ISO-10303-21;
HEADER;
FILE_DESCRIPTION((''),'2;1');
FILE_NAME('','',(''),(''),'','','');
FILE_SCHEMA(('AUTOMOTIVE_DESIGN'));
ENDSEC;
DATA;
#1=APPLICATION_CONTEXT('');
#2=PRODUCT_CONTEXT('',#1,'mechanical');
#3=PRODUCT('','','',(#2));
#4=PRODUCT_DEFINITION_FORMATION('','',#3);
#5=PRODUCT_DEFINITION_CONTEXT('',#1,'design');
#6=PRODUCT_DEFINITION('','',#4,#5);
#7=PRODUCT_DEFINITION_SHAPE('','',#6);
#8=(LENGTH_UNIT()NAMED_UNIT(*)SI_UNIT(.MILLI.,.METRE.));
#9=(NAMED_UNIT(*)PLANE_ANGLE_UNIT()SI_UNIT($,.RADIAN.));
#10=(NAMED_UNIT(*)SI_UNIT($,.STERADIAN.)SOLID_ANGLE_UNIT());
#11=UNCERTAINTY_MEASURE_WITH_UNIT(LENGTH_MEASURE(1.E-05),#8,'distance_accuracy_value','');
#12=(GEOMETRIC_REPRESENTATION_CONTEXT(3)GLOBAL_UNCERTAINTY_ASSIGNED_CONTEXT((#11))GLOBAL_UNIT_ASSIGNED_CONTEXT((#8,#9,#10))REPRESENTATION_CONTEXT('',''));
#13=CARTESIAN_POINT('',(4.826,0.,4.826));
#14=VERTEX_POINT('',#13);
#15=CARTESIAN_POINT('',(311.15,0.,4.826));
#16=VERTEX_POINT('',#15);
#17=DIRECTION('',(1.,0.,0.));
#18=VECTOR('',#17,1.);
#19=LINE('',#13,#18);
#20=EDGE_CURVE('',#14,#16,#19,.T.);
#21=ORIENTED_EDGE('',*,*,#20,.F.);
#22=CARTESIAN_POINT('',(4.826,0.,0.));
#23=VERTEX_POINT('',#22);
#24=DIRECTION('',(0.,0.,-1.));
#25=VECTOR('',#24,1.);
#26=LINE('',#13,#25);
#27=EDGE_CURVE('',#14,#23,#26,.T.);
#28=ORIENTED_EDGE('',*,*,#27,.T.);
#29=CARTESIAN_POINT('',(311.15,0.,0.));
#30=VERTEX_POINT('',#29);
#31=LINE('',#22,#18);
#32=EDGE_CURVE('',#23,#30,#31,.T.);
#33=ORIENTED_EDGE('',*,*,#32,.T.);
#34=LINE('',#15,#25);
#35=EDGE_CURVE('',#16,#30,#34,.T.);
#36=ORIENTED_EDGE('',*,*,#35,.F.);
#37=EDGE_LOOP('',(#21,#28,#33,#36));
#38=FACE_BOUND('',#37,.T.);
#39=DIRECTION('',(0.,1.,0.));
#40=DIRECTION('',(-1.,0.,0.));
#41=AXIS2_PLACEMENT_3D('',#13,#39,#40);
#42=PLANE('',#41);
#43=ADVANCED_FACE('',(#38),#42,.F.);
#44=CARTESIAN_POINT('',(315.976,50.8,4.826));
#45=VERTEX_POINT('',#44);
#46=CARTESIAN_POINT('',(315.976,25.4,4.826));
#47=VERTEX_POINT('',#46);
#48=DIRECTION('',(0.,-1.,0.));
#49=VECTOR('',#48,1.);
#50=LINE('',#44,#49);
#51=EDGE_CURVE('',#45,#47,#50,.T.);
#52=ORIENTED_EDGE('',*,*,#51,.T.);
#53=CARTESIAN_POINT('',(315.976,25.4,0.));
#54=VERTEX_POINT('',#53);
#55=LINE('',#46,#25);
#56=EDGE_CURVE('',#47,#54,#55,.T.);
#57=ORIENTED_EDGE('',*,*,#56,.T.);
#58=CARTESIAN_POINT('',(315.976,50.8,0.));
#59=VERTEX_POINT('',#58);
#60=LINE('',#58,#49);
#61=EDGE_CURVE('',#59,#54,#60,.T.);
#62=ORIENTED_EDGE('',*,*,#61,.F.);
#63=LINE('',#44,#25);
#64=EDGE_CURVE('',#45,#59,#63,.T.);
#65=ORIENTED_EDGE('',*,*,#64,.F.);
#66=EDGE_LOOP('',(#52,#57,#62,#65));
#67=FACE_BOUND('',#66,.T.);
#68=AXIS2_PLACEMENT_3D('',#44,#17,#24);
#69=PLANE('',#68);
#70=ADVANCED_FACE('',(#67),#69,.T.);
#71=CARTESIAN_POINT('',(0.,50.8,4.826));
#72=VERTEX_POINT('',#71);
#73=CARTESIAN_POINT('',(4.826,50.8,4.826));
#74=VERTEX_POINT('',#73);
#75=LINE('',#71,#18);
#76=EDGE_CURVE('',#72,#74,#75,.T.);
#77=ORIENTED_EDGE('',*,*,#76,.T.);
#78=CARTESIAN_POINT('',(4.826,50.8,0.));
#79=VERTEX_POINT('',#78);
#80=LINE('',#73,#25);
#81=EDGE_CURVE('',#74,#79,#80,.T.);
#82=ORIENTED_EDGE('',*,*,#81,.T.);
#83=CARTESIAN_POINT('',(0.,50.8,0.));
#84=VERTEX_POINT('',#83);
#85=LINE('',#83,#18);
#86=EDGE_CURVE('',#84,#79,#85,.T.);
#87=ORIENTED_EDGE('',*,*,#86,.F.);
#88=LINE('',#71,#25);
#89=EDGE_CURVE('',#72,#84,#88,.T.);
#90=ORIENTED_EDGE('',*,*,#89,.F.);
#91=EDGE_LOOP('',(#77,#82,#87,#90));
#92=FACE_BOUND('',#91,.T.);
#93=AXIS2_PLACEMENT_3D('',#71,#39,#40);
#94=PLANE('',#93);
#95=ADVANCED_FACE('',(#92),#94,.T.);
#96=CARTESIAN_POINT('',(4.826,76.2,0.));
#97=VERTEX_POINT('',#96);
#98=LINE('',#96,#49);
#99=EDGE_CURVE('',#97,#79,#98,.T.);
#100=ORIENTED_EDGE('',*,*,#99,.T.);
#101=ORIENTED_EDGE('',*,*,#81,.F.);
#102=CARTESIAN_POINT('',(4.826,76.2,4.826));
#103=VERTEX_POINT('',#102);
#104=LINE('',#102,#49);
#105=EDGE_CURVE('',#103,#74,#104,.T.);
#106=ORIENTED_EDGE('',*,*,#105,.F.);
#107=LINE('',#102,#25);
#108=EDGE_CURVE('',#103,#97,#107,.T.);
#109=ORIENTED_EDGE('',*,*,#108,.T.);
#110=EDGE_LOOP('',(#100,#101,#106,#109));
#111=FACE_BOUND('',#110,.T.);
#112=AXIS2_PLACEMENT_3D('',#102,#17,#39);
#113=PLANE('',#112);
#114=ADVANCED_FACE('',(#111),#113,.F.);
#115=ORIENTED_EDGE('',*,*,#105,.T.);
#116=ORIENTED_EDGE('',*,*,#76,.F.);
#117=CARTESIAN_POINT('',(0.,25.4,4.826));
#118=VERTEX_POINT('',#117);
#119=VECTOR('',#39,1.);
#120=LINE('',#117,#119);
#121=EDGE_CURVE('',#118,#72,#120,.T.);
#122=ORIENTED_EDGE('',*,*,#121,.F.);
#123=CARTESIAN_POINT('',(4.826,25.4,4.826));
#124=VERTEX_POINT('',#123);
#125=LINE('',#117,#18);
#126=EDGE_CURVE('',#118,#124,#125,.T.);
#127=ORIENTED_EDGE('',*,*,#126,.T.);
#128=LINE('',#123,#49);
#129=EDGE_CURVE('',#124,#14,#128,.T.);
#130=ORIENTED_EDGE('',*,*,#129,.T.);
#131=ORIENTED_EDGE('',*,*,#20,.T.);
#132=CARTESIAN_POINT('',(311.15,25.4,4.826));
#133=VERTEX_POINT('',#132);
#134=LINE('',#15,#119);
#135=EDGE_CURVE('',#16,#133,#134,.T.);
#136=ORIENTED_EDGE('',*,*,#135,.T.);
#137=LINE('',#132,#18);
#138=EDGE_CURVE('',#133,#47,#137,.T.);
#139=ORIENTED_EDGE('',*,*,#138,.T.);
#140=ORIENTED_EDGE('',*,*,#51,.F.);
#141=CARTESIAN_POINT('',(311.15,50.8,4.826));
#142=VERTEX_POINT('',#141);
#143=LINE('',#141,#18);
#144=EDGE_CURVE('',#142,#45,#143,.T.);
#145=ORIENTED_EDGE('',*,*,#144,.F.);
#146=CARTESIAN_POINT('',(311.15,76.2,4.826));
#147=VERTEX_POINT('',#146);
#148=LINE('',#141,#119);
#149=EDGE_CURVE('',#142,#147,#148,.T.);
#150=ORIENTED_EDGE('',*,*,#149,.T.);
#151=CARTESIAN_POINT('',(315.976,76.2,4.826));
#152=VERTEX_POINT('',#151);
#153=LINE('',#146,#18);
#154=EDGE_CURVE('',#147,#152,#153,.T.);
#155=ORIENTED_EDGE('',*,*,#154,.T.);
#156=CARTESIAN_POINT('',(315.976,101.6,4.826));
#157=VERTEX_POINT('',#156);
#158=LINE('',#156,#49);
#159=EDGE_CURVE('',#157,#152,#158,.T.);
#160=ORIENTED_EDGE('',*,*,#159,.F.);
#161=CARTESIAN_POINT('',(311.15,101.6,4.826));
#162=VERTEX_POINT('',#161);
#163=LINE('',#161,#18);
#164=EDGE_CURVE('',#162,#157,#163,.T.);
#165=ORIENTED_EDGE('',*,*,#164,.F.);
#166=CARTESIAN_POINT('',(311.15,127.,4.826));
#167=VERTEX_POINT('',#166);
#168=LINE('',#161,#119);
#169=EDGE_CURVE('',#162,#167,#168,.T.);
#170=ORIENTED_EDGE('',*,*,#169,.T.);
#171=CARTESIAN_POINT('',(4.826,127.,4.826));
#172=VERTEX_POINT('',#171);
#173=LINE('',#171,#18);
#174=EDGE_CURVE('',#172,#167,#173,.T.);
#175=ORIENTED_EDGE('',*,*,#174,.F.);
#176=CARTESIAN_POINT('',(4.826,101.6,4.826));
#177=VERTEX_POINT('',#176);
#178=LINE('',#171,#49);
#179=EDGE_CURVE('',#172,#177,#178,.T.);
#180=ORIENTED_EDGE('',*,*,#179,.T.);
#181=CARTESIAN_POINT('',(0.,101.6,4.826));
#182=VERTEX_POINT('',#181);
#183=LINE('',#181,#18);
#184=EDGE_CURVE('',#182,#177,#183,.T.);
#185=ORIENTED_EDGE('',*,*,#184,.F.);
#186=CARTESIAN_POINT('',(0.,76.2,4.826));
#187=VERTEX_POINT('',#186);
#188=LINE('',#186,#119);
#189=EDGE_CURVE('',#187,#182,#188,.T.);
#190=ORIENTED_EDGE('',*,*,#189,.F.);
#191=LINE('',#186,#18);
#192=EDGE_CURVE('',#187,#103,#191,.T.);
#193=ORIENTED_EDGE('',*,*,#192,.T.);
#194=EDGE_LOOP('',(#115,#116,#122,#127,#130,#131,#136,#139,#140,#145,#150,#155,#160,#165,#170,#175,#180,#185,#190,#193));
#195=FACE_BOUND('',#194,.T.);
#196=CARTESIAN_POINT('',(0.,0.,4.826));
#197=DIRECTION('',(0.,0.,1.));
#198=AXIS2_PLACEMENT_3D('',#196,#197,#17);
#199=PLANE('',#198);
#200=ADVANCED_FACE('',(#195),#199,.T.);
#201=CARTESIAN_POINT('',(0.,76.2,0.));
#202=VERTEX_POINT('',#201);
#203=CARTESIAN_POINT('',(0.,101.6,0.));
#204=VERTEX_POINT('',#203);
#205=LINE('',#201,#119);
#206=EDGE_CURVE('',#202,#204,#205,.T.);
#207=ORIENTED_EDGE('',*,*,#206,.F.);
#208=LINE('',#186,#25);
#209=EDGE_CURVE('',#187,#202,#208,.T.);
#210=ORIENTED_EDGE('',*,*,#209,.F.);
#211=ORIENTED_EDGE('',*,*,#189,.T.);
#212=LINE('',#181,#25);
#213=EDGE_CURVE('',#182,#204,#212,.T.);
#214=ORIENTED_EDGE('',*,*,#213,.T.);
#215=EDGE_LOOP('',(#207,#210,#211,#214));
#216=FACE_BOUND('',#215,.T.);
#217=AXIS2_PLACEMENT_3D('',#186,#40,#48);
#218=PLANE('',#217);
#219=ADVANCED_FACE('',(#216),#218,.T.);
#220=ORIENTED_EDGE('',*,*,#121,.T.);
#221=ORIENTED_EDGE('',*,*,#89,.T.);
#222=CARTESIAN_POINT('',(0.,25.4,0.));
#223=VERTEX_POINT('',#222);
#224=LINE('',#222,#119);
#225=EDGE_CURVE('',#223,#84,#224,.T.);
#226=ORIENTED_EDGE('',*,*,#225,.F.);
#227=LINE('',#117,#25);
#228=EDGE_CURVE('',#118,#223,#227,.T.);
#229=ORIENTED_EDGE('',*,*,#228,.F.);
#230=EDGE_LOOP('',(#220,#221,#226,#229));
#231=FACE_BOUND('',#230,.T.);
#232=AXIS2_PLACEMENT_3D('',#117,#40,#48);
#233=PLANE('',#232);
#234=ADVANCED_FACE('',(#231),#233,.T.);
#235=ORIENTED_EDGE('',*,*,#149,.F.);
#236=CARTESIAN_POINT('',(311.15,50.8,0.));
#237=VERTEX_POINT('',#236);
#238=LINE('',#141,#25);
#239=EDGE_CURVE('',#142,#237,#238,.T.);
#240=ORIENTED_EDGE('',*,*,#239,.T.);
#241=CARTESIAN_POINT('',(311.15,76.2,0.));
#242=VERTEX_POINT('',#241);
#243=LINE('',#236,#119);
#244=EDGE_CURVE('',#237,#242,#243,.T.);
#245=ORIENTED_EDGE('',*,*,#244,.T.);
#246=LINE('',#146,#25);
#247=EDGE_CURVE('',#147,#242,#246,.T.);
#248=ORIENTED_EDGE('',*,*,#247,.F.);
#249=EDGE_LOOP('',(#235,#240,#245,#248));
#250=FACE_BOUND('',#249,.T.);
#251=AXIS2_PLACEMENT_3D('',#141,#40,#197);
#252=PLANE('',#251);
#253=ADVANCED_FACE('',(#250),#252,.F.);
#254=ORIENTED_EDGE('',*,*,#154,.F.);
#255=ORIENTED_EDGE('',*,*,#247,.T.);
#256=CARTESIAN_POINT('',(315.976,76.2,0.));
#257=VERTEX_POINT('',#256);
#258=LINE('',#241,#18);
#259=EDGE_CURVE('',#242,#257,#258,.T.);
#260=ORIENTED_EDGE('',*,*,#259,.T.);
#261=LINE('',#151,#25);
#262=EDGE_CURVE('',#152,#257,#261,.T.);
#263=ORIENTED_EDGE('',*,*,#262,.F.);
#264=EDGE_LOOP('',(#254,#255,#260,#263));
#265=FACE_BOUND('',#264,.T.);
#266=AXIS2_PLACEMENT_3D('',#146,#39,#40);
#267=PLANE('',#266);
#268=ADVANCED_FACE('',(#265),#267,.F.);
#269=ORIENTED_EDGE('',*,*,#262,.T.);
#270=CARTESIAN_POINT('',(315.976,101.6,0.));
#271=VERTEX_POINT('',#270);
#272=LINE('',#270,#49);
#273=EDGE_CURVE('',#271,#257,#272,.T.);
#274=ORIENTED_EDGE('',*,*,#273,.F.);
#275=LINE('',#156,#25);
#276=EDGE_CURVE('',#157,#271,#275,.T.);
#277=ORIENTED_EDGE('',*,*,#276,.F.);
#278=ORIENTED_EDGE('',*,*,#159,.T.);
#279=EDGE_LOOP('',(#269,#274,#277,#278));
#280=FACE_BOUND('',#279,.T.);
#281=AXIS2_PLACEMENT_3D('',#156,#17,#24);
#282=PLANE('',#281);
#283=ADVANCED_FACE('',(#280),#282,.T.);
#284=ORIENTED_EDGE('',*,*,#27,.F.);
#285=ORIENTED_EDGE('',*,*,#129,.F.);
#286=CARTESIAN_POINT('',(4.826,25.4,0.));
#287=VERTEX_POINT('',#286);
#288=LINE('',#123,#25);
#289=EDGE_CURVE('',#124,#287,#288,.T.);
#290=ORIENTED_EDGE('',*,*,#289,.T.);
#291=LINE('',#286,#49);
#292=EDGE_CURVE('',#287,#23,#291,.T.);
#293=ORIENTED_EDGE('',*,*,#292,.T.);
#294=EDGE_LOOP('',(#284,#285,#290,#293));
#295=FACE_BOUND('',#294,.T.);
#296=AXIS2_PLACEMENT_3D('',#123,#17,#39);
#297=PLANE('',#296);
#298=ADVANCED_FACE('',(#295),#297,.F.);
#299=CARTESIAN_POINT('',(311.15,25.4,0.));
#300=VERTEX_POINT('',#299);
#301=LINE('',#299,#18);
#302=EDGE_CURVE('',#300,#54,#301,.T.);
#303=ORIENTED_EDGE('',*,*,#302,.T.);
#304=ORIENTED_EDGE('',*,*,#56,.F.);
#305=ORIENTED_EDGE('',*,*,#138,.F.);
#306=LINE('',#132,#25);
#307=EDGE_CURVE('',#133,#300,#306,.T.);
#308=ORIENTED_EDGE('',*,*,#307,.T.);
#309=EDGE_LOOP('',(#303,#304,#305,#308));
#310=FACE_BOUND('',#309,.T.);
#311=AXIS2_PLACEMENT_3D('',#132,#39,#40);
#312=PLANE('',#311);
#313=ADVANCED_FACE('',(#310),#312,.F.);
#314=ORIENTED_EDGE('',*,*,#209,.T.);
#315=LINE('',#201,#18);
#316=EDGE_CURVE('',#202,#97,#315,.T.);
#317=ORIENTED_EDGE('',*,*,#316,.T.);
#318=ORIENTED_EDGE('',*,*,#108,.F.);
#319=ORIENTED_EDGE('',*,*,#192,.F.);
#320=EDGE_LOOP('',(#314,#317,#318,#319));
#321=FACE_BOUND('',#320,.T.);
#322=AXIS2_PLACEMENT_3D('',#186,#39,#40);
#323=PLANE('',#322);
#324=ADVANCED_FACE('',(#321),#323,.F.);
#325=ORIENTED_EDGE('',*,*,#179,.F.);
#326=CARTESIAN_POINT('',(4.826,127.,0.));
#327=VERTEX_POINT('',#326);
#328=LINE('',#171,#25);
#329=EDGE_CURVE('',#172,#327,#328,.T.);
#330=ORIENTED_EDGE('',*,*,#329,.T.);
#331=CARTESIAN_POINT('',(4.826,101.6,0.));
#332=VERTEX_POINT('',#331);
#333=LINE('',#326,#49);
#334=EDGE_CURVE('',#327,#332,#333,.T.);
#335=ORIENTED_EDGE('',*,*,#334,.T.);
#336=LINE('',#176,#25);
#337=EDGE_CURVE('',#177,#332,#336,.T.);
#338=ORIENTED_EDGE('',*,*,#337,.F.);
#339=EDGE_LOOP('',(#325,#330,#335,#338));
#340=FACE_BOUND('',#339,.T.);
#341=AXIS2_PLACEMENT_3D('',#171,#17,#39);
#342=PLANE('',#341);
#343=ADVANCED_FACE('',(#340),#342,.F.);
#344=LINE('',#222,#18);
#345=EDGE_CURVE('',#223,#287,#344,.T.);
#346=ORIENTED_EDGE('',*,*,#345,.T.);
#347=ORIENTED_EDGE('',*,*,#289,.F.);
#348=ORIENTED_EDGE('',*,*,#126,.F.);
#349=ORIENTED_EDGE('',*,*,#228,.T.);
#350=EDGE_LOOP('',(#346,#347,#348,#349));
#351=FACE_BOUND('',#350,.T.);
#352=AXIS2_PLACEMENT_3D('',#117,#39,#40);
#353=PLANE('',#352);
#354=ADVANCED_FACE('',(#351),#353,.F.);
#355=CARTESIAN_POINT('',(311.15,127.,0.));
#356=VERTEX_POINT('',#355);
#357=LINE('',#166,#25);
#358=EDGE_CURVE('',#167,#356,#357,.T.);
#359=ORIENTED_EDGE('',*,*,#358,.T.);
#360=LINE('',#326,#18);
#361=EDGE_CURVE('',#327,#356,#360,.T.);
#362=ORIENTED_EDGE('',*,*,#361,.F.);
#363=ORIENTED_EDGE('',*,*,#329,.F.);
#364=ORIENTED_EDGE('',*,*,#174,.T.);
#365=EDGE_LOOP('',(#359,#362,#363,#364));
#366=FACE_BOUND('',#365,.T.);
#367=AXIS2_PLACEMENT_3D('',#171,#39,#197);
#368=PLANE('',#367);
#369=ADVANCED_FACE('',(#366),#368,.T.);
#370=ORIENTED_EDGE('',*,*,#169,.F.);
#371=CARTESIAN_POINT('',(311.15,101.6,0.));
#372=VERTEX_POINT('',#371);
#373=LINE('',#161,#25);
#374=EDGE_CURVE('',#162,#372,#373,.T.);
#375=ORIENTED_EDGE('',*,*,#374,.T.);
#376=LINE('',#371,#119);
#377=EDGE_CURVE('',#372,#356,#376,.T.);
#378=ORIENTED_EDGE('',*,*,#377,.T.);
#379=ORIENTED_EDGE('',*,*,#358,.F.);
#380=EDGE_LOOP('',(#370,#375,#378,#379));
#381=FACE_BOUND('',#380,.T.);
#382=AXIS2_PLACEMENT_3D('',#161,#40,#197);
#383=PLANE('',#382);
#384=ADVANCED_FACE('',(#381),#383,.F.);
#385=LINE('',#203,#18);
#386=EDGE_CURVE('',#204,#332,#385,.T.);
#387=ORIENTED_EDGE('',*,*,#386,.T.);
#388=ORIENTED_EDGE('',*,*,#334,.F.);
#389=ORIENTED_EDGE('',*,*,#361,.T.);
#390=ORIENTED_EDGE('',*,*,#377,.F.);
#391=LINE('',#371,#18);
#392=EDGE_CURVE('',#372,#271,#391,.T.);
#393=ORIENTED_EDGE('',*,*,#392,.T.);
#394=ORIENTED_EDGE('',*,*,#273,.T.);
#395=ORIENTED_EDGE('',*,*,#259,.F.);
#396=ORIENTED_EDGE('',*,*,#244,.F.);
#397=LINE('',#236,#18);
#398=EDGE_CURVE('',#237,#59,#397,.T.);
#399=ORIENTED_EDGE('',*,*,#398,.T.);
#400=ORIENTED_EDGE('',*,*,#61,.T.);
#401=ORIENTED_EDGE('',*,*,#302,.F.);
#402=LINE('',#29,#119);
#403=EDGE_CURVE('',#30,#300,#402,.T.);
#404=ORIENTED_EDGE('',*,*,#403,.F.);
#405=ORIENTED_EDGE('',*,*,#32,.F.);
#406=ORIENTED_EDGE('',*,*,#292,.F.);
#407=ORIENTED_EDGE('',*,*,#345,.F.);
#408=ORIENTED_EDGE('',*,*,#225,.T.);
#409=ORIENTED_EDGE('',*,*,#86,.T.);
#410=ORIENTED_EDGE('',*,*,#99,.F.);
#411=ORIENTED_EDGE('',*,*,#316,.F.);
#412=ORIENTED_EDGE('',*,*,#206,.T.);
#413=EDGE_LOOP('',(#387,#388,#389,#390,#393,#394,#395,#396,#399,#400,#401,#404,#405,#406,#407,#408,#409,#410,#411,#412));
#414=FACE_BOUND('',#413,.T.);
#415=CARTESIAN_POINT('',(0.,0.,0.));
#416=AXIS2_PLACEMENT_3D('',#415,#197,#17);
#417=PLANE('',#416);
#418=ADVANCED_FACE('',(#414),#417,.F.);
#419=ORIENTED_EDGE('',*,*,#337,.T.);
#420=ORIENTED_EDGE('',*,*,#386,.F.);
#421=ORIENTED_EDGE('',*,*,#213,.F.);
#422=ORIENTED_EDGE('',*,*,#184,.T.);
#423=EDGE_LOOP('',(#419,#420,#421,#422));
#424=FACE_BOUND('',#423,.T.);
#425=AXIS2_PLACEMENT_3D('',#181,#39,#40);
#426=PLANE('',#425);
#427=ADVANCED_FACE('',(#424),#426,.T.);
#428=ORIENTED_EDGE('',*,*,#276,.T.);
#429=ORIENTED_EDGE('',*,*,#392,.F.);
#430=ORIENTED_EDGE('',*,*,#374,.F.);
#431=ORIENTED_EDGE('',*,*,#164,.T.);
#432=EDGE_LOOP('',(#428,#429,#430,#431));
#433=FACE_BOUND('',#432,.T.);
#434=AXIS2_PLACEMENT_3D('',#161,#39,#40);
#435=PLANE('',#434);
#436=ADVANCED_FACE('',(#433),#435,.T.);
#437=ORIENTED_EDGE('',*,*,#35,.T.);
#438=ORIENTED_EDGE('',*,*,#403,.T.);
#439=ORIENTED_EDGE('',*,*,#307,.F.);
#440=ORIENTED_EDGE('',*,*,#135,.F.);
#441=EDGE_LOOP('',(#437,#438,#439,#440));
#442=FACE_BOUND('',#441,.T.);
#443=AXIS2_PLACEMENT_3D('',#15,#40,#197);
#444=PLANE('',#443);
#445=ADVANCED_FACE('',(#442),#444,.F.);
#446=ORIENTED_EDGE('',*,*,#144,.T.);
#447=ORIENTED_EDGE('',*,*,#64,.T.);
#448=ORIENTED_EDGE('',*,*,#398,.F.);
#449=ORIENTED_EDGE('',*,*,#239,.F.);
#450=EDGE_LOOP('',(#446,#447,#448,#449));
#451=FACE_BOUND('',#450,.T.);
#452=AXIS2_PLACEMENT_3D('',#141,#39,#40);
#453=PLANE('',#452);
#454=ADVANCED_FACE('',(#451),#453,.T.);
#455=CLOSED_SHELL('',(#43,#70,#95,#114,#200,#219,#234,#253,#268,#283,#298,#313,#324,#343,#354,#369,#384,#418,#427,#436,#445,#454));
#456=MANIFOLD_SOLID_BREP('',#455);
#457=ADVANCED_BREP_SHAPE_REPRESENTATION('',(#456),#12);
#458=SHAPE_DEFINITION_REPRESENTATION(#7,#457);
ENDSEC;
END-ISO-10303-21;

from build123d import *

# Parameters (mm, degrees)
BOSS_EXTRUDE1_DEPTH = 4.826


with BuildPart() as part:
    # Sketch1 → Boss-Extrude1 (new body)
    with BuildSketch(Plane.XY):
        Polygon((0, 76.2), (0, 101.6), (4.826, 101.6), (4.826, 127), (311.15, 127), (311.15, 101.6), (315.976, 101.6), (315.976, 76.2), (311.15, 76.2), (311.15, 50.8), (315.976, 50.8), (315.976, 25.4), (311.15, 25.4), (311.15, 0), (4.826, 0), (4.826, 25.4), (0, 25.4), (0, 50.8), (4.826, 50.8), (4.826, 76.2), align=None)
    extrude(amount=BOSS_EXTRUDE1_DEPTH)


solid = part.part
